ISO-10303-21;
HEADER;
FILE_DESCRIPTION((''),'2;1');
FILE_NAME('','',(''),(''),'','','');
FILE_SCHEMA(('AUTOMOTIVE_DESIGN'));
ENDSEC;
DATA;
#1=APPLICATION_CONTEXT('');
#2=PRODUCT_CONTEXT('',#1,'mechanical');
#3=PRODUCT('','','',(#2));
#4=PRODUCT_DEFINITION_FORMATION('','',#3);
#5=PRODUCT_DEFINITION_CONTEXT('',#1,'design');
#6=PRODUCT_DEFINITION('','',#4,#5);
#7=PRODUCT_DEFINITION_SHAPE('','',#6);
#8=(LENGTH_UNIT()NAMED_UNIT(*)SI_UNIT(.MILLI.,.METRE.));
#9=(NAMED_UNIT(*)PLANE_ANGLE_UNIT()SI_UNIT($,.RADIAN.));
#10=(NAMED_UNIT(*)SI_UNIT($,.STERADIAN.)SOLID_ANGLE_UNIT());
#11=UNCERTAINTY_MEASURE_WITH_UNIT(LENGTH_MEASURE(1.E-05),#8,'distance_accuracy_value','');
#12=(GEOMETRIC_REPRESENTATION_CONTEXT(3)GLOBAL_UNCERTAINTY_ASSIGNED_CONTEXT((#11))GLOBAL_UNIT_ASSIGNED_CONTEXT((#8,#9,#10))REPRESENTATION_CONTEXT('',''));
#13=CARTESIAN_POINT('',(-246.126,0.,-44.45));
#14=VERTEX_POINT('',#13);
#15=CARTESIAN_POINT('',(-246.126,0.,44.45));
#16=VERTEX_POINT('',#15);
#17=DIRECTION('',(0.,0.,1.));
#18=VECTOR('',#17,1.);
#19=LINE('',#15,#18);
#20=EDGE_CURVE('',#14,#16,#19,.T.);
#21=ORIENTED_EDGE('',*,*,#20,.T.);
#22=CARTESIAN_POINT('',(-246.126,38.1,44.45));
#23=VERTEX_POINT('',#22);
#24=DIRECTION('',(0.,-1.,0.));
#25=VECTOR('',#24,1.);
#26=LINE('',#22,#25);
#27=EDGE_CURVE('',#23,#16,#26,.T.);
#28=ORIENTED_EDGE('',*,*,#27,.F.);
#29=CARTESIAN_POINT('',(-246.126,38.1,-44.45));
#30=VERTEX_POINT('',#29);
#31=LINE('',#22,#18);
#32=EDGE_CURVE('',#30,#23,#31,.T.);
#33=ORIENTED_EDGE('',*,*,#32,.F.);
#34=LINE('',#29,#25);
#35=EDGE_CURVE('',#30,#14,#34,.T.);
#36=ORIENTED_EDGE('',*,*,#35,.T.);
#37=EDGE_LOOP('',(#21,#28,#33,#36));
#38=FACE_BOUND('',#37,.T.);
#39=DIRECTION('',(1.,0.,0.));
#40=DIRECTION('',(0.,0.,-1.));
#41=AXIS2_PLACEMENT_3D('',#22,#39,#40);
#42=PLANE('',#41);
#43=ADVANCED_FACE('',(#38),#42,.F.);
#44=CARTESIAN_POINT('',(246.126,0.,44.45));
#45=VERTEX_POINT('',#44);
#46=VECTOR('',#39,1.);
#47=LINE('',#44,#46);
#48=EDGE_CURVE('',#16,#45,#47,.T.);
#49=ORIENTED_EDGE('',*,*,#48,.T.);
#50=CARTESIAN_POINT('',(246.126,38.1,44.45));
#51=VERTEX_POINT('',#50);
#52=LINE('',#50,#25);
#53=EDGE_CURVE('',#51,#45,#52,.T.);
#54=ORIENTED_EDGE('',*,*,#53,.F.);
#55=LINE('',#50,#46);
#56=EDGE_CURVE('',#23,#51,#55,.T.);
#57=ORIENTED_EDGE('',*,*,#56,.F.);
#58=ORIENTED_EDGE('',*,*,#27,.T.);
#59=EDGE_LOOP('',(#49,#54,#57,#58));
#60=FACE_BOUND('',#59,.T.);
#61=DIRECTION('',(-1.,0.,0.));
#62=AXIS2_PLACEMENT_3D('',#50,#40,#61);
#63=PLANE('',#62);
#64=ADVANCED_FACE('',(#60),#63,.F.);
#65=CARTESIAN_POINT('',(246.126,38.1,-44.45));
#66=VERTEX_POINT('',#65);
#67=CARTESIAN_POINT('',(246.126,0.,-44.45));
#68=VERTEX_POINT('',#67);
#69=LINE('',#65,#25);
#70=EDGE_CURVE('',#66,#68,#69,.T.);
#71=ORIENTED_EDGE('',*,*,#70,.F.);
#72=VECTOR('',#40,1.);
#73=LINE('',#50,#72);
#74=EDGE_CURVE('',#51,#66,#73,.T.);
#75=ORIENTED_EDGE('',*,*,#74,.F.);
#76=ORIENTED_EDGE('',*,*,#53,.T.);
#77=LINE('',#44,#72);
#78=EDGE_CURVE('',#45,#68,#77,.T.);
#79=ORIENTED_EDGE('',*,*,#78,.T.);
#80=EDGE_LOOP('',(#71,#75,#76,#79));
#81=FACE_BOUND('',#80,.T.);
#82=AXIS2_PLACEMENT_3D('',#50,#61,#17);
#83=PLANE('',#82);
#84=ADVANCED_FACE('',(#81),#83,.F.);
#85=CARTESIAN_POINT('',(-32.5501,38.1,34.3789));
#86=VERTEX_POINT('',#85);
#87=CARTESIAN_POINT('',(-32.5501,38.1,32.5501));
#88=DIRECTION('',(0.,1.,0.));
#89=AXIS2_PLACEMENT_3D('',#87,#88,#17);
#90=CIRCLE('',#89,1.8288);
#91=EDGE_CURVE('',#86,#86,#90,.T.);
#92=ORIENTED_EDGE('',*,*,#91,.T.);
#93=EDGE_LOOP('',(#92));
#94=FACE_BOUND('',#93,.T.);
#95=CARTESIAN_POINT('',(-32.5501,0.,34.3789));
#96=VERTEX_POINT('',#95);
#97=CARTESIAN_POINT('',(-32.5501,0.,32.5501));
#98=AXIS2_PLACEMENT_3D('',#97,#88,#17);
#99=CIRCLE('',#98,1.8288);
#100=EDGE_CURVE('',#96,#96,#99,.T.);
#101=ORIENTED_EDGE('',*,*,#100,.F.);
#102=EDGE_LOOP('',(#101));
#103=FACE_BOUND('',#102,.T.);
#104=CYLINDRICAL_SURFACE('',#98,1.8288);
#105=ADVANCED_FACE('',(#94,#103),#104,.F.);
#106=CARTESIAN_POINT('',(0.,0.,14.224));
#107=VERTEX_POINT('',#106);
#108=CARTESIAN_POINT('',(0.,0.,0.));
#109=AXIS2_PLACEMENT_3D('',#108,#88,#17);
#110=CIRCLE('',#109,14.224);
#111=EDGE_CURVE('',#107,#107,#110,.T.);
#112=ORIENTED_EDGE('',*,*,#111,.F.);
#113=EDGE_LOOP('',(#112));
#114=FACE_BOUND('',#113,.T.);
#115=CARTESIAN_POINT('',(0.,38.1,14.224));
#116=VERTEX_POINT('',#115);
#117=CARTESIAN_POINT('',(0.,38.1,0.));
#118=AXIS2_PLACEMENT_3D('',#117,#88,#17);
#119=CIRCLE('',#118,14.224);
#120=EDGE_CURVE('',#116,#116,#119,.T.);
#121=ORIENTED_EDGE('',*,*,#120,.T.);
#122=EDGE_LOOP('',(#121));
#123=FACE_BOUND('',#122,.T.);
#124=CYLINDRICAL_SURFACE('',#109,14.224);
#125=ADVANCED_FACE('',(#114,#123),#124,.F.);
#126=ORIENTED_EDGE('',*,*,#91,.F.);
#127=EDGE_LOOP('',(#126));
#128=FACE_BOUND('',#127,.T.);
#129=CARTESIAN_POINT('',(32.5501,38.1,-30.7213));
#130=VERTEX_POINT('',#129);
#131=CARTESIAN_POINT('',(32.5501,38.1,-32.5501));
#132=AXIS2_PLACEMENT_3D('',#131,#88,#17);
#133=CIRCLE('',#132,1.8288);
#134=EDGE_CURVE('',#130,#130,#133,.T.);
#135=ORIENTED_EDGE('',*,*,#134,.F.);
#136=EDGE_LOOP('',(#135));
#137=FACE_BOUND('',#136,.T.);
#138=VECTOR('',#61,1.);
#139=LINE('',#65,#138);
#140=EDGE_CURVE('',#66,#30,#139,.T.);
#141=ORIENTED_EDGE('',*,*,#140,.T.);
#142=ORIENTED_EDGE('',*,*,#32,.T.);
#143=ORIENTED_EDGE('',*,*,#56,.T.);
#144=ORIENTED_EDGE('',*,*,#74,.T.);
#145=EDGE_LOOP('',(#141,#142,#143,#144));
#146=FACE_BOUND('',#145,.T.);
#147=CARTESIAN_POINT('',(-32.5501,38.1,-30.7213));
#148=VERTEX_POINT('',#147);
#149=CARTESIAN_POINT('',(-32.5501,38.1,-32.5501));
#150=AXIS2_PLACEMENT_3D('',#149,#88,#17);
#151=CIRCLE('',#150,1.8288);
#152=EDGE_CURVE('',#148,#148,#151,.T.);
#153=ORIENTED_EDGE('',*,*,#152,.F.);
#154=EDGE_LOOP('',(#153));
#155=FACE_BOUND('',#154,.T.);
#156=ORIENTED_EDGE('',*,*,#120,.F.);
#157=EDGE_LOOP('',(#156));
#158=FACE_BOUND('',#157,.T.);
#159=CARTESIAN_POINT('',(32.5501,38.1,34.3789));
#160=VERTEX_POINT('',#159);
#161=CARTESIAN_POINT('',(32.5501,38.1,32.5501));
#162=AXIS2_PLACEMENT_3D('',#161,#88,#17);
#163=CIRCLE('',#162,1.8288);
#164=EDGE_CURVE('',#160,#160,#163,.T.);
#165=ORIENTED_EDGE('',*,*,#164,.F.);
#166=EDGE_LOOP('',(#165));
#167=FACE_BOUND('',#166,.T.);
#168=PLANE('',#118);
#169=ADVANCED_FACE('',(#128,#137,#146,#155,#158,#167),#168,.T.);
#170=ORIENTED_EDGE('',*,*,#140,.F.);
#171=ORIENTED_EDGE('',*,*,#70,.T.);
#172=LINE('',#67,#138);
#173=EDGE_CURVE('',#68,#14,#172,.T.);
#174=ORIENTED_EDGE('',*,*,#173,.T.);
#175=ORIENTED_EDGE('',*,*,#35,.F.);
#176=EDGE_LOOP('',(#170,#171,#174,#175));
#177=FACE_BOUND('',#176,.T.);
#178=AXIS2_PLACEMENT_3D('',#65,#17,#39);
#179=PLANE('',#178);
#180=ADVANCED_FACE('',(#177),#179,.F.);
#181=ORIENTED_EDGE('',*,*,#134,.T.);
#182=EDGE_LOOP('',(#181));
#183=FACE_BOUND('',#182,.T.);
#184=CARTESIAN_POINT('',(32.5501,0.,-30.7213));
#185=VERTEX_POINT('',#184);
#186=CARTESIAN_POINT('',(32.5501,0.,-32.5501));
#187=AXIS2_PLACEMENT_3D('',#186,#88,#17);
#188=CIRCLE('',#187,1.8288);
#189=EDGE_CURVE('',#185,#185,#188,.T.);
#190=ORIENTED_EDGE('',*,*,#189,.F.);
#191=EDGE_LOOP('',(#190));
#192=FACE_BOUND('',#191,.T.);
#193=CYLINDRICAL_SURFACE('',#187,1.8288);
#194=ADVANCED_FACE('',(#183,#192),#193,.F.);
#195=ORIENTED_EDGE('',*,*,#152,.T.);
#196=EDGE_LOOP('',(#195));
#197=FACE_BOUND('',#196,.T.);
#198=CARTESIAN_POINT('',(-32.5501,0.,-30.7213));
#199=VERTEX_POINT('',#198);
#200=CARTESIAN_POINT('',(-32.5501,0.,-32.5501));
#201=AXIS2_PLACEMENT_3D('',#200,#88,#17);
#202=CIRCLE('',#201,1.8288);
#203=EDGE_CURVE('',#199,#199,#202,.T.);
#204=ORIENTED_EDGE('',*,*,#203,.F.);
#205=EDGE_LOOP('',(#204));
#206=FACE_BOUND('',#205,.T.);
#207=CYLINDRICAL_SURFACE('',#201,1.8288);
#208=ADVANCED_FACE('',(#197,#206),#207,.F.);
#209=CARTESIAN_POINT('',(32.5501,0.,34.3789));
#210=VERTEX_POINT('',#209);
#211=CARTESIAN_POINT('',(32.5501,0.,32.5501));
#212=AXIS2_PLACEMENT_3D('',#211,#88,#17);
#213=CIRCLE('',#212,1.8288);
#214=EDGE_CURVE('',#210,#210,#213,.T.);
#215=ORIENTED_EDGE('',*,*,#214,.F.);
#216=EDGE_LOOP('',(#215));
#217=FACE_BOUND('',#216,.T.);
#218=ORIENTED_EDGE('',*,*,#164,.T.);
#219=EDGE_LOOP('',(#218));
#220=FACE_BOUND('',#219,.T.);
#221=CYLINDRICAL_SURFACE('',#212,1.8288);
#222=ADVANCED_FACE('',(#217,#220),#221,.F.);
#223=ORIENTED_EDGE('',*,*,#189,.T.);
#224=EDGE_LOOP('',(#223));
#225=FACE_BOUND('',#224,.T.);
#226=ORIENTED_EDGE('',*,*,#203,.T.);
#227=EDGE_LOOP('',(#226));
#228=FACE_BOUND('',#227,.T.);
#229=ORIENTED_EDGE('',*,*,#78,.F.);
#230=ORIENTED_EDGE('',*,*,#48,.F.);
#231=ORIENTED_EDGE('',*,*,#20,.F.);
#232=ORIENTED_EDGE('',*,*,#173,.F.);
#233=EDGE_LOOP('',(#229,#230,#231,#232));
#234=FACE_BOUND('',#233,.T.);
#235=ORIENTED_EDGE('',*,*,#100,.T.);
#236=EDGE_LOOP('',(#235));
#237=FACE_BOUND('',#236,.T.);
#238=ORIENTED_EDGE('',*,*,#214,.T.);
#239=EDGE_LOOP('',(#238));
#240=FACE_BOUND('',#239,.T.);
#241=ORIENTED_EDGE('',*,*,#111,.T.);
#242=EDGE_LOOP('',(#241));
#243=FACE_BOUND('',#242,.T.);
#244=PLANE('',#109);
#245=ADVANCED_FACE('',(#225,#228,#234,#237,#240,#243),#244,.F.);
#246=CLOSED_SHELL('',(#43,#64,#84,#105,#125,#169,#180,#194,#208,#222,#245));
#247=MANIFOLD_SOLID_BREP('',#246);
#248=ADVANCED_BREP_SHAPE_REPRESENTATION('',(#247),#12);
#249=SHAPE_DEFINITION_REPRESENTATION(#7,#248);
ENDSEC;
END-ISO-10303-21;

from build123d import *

# Parameters (mm, degrees)
SKETCH1_W           = 492.252
SKETCH1_H           = 88.9
BOSS_EXTRUDE1_DEPTH = 38.1
SKETCH2_R           = 1.8288
SKETCH2_R_2         = 14.224
CUT_EXTRUDE1_DEPTH  = 39.1


with BuildPart() as part:
    # Sketch1 → Boss-Extrude1 (new body)
    with BuildSketch(Plane(origin=(0, 0, 0), x_dir=(1, 0, 0), z_dir=(0, 1, 0))):
        Rectangle(SKETCH1_W, SKETCH1_H)
    extrude(amount=BOSS_EXTRUDE1_DEPTH)

    # Sketch2 → Cut-Extrude1 (cut, through all)
    with BuildSketch(Plane(origin=(0, 38.1, 0), x_dir=(1, 0, 0), z_dir=(0, 1, 0))):
        with Locations((-32.5501, 32.5501)):
            Circle(SKETCH2_R)
        with Locations((-32.5501, -32.5501)):
            Circle(SKETCH2_R)
        with Locations((32.5501, -32.5501)):
            Circle(SKETCH2_R)
        with Locations((32.5501, 32.5501)):
            Circle(SKETCH2_R)
        Circle(SKETCH2_R_2)
    extrude(amount=-CUT_EXTRUDE1_DEPTH, mode=Mode.SUBTRACT)


solid = part.part
